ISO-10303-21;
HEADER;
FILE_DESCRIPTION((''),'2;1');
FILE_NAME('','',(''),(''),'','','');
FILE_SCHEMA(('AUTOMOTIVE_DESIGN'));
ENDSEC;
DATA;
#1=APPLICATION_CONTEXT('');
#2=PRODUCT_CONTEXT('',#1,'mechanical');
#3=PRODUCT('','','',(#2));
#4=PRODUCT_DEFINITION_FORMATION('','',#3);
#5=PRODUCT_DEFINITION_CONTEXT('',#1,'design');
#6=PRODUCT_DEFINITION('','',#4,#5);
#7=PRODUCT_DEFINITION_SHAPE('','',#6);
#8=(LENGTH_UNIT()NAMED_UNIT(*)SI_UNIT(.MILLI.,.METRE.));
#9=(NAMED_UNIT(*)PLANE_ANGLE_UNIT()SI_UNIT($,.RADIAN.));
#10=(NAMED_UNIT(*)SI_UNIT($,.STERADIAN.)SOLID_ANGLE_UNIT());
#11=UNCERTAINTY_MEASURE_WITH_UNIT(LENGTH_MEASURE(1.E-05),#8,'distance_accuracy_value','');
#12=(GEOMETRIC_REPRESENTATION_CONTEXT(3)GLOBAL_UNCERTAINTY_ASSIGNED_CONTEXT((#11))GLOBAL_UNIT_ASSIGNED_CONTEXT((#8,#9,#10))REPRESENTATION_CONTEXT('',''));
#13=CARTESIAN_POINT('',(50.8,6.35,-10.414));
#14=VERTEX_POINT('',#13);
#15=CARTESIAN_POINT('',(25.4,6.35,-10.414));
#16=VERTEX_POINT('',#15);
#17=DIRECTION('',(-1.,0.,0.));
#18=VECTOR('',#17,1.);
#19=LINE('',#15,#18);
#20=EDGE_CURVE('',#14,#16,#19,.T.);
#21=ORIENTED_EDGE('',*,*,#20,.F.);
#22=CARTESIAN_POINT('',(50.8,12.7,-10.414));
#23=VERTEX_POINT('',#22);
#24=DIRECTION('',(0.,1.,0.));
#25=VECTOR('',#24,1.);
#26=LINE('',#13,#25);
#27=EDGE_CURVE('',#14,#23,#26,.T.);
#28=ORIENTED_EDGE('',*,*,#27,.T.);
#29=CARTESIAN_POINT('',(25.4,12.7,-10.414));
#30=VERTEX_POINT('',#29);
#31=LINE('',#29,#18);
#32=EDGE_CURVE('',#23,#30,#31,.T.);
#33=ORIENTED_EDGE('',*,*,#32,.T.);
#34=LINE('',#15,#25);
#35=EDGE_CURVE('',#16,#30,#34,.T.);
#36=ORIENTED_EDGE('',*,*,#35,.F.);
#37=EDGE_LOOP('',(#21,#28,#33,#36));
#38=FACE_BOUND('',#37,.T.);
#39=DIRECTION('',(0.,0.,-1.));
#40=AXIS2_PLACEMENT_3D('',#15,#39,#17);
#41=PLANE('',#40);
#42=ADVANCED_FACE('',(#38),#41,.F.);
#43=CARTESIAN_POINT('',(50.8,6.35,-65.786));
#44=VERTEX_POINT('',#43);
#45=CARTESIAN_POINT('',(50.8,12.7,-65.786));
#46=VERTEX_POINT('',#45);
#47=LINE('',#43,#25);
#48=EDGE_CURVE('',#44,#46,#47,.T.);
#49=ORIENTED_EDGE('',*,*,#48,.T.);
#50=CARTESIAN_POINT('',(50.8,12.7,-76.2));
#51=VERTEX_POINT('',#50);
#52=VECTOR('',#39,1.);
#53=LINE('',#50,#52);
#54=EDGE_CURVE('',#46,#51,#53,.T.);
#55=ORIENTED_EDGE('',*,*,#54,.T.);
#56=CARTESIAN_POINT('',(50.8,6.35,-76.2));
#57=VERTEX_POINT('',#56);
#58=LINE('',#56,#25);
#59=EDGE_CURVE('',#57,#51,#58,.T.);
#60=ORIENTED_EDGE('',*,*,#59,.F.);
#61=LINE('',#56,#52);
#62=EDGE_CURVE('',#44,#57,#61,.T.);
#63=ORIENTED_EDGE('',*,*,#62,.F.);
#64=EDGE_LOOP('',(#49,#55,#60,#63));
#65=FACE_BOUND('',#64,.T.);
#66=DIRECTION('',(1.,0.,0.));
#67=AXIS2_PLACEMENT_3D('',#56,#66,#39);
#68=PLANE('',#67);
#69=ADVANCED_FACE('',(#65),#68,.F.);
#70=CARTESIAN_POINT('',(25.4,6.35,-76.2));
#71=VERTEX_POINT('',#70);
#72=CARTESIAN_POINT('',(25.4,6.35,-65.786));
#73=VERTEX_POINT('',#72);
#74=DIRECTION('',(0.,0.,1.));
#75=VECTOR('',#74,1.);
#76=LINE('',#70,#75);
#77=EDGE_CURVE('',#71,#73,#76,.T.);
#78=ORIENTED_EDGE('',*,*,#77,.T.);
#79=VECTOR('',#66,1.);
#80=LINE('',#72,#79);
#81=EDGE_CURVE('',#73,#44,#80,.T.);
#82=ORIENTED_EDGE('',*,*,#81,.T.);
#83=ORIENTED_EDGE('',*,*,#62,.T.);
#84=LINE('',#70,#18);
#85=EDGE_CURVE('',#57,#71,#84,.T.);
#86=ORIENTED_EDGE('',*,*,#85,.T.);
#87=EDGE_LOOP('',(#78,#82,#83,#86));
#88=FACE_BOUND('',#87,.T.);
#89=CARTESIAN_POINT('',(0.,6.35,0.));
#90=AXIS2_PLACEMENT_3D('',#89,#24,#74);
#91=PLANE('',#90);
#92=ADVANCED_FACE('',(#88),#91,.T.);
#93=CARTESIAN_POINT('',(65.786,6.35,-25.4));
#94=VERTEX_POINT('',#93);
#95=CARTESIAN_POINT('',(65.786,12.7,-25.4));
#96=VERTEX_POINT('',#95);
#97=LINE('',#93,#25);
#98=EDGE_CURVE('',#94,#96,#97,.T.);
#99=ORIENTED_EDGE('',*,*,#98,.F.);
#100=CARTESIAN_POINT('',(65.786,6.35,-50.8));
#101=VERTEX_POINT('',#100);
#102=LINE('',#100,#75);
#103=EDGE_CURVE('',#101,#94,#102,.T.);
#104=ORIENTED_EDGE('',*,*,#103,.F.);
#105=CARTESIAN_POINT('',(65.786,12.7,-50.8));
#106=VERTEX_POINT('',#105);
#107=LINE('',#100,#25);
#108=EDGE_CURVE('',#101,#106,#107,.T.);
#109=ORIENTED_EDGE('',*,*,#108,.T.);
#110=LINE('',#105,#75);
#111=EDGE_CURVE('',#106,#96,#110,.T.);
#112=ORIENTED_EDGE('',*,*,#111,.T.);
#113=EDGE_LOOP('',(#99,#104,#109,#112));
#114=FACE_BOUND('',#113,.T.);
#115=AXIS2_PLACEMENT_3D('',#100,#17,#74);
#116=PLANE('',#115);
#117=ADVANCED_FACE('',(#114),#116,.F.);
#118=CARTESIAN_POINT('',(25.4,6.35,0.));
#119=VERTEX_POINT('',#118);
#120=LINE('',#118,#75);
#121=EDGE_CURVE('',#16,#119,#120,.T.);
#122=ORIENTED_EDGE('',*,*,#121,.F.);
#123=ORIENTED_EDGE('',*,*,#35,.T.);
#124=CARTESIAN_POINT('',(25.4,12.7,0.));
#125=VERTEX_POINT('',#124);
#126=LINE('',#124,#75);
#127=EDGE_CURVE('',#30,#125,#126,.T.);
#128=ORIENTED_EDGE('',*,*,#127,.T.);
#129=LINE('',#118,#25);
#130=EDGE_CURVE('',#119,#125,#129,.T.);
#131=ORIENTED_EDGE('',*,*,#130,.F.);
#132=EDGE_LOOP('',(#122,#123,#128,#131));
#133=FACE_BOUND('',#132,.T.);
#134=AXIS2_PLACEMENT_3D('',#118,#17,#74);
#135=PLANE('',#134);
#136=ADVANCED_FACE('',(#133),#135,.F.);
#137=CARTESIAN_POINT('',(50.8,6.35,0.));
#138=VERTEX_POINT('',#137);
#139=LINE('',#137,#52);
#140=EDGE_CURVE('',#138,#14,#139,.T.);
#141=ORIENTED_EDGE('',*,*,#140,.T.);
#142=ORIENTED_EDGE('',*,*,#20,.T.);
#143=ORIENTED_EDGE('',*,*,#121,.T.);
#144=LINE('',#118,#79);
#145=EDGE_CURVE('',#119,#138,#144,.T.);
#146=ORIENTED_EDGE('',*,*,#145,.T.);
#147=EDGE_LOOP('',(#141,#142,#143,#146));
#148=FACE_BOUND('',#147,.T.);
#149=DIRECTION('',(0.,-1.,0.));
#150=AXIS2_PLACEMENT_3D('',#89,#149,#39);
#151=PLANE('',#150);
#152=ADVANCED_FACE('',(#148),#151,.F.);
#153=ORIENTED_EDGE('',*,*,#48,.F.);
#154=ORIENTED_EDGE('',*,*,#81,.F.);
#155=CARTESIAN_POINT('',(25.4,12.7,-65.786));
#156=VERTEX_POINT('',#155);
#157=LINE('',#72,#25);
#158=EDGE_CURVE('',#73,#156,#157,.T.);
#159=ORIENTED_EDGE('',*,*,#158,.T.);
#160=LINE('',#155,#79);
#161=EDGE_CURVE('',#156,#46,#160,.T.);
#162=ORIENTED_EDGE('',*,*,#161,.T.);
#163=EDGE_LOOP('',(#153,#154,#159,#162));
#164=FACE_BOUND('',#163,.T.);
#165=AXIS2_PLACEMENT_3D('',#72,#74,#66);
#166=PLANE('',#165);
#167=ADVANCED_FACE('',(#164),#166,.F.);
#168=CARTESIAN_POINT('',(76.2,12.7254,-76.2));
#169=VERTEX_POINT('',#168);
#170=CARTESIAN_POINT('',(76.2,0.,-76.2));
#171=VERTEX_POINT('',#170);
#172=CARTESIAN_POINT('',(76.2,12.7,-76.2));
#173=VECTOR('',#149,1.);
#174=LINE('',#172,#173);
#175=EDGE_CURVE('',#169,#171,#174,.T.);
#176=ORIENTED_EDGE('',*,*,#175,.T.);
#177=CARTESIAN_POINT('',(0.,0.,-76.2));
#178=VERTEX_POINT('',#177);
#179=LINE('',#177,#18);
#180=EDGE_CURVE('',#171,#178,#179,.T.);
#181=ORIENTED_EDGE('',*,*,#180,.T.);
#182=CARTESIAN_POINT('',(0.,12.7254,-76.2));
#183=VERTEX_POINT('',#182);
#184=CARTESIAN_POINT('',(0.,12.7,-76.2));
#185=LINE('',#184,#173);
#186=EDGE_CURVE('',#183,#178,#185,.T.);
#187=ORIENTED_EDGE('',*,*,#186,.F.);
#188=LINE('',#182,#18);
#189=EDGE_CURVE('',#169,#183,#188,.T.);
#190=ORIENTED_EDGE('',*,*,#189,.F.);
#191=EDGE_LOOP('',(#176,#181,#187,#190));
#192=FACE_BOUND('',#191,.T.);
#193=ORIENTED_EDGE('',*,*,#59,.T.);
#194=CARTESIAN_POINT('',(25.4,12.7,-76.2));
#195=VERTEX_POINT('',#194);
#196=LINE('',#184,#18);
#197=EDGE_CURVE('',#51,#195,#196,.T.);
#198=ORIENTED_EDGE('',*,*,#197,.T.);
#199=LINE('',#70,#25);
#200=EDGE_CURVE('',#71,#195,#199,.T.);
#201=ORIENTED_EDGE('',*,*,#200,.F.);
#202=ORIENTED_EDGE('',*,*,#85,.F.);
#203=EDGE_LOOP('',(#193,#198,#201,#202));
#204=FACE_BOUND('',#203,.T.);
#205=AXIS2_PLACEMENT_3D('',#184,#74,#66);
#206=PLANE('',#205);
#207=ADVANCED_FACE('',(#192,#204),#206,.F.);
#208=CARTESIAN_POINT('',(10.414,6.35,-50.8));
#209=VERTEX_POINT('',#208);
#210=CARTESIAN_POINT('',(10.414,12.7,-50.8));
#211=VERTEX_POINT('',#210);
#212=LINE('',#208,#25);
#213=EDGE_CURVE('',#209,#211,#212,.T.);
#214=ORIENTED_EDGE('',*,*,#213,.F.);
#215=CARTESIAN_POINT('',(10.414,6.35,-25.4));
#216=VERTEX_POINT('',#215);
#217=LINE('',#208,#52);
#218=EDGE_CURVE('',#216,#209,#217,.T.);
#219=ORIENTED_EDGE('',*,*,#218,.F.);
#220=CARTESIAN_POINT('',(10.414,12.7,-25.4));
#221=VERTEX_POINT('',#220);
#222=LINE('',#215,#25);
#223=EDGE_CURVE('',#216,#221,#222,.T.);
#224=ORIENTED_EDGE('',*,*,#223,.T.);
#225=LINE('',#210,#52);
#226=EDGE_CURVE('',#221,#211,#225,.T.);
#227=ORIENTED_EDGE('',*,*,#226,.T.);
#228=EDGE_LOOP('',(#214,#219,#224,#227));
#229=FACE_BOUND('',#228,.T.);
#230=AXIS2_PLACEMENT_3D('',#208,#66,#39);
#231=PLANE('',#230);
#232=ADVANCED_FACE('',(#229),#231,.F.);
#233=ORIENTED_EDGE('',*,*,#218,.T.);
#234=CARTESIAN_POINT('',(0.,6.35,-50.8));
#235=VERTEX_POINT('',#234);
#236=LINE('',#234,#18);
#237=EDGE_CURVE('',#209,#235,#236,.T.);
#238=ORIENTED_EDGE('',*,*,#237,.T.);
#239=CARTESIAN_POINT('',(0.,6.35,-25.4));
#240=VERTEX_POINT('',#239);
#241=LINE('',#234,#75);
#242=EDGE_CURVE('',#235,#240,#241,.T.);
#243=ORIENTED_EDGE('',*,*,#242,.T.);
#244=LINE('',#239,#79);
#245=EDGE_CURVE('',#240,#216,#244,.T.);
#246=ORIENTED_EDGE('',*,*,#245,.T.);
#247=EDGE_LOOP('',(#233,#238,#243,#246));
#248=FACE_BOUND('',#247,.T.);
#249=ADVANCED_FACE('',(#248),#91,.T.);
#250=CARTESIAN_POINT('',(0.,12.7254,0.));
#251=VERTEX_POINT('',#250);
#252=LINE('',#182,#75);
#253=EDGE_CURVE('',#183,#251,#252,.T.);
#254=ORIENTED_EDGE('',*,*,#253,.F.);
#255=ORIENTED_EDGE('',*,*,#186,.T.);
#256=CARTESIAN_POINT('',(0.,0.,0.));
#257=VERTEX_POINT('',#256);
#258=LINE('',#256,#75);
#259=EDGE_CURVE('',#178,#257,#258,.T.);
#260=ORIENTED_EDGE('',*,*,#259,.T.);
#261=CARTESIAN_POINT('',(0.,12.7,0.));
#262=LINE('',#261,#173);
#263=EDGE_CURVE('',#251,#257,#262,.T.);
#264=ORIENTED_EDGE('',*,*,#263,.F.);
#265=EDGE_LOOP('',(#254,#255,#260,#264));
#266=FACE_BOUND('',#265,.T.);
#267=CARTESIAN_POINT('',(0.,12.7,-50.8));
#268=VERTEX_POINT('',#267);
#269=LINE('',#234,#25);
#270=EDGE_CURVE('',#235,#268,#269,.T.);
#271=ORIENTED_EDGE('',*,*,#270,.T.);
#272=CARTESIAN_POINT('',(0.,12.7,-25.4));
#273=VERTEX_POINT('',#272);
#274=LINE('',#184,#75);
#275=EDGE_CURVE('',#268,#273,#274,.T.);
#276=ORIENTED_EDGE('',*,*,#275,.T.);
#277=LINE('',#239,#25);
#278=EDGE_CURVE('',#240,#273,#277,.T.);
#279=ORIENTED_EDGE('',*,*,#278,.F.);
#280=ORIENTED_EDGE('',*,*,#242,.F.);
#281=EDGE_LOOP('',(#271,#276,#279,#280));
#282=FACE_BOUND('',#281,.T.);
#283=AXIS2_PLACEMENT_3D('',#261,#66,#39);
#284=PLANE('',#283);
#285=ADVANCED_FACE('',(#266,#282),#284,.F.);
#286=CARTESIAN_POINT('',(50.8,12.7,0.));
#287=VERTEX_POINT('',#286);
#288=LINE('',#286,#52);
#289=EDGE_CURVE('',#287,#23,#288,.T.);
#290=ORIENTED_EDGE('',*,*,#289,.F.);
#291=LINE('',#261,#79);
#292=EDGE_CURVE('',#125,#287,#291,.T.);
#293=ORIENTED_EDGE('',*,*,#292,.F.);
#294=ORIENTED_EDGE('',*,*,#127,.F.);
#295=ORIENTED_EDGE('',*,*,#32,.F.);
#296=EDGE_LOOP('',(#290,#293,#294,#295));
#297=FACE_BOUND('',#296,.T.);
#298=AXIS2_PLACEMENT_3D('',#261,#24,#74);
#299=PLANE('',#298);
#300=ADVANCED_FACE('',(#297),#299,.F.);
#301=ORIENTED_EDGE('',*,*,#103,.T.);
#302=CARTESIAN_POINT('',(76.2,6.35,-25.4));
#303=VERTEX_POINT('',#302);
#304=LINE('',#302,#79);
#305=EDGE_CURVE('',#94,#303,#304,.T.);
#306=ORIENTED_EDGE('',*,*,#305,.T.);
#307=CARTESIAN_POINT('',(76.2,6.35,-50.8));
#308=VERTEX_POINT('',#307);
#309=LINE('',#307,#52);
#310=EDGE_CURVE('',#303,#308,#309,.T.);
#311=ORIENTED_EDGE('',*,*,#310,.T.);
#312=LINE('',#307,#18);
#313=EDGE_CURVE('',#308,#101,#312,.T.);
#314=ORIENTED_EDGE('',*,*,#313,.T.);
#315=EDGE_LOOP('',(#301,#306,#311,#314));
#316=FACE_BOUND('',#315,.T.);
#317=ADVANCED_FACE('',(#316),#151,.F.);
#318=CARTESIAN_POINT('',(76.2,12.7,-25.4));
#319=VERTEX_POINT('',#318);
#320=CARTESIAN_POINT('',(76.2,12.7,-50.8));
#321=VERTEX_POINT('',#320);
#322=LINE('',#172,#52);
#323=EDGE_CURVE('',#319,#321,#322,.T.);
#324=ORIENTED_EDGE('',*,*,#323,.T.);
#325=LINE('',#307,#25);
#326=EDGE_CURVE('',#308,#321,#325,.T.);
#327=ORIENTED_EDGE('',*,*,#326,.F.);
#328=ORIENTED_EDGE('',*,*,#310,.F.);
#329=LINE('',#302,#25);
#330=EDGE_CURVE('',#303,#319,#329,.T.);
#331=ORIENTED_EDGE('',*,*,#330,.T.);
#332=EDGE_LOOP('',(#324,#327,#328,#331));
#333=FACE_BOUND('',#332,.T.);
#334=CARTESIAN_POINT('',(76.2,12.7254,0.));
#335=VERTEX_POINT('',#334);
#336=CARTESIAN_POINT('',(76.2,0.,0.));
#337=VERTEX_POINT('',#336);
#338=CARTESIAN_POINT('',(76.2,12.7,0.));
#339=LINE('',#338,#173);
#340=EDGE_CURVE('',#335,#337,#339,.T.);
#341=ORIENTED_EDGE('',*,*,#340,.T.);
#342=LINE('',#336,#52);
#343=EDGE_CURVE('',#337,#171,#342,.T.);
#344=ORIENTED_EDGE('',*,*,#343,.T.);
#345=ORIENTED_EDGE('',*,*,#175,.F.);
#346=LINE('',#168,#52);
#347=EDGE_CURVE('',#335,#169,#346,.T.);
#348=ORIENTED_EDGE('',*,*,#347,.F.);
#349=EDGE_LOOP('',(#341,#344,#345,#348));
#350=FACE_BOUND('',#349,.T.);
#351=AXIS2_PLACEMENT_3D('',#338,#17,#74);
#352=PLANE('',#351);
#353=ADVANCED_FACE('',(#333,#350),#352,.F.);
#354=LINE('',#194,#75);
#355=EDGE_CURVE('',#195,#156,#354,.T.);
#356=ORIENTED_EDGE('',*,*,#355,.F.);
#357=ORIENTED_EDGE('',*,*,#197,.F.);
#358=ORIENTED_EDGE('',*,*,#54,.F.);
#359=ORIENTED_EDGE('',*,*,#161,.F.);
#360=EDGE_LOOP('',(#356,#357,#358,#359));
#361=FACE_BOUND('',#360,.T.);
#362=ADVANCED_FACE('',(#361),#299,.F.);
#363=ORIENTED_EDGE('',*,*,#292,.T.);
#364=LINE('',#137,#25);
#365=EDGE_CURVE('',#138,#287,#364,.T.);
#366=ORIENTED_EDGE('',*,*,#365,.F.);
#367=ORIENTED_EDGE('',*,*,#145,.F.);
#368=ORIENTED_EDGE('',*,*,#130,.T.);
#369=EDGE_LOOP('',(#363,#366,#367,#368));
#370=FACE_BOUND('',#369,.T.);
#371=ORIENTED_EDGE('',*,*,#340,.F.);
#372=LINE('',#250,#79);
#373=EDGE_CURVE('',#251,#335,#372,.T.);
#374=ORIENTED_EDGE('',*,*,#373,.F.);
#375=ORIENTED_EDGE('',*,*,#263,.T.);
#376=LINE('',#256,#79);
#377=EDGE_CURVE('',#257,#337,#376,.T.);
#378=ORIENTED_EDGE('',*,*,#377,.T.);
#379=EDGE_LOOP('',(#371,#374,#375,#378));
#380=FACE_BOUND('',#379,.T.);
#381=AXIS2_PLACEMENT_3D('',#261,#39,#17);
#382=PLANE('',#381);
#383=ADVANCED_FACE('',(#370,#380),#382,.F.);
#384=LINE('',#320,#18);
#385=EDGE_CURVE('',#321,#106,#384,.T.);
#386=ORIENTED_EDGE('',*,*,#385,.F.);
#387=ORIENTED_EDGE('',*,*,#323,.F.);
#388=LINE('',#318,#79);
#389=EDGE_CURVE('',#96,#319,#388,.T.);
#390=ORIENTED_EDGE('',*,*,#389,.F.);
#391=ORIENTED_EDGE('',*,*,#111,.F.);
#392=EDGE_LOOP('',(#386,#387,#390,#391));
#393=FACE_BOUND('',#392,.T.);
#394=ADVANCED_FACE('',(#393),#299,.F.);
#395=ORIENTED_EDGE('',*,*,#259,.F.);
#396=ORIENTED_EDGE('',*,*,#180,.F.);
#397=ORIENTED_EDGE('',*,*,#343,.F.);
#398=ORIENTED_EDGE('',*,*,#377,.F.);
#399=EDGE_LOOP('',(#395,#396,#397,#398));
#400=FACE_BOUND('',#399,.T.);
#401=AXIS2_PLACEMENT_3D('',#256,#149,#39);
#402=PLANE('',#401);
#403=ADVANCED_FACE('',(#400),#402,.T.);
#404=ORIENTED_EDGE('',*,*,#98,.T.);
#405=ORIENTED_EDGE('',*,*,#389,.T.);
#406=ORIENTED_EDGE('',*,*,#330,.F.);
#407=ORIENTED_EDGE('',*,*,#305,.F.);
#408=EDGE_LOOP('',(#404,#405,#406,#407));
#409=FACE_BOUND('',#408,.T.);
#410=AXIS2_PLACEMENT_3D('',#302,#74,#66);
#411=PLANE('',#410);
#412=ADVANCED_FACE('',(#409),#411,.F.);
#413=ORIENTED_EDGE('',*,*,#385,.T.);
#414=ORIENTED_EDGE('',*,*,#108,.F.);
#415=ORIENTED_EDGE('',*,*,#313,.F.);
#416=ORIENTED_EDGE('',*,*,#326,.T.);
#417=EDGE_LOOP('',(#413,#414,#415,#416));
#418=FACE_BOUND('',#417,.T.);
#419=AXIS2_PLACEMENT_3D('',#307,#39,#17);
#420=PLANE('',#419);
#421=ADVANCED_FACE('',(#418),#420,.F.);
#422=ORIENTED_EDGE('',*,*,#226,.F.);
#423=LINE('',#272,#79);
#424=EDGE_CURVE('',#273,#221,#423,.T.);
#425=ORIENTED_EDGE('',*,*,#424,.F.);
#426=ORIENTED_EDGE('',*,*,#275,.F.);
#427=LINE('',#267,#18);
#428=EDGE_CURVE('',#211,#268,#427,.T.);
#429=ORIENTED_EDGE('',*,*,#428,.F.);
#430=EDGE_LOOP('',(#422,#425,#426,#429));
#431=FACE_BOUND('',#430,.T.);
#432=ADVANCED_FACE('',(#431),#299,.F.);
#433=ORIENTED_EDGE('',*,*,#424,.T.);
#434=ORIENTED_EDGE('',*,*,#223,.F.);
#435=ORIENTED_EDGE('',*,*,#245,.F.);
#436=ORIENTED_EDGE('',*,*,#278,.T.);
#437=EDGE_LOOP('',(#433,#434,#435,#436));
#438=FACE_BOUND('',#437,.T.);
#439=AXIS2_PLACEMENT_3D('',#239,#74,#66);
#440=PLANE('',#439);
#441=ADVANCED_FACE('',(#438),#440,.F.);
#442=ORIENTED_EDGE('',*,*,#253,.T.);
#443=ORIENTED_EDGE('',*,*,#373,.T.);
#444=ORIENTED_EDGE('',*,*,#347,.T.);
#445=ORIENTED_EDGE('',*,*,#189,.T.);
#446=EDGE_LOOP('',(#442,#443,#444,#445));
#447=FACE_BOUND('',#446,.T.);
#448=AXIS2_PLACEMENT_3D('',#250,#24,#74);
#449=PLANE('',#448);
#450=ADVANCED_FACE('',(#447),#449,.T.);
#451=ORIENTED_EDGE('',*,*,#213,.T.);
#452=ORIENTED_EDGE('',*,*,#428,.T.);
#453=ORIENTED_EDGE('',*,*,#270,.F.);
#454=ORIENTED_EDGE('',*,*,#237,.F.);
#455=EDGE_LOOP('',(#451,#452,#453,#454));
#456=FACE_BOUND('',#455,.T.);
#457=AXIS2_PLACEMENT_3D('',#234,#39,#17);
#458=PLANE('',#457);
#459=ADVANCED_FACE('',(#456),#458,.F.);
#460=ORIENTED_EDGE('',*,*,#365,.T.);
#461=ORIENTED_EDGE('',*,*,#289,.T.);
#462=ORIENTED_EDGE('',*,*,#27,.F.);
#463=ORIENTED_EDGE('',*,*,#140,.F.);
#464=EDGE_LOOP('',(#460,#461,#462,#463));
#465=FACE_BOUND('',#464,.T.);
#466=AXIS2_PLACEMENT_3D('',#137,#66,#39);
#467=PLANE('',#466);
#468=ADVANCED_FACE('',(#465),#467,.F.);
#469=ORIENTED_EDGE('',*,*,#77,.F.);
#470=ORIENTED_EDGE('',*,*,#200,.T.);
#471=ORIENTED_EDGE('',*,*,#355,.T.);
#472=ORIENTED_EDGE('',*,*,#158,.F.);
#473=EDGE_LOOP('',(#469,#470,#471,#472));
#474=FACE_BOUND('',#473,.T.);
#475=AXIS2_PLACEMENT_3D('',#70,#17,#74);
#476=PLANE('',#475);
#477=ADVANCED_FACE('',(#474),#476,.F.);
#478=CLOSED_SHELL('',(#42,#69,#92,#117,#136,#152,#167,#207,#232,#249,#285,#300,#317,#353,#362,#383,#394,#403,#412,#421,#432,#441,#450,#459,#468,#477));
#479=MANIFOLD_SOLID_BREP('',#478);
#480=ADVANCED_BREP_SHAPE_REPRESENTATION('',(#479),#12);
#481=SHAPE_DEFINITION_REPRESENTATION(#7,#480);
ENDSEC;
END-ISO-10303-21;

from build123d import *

# Parameters (mm, degrees)
SKETCH1_W           = 76.2
SKETCH1_H           = 76.2
BOSS_EXTRUDE1_DEPTH = 12.7
SKETCH2_W           = 25.4
SKETCH2_H           = 10.414
SKETCH2_W_2         = 10.414
SKETCH2_H_2         = 25.4
CUT_EXTRUDE1_DEPTH  = 6.35
SKETCH3_W           = 76.2
SKETCH3_H           = 76.2
BOSS_EXTRUDE2_DEPTH = 0.0254


with BuildPart() as part:
    # Sketch1 → Boss-Extrude1 (new body)
    with BuildSketch(Plane(origin=(0, 0, 0), x_dir=(1, 0, 0), z_dir=(0, 1, 0))):
        with Locations((38.1, 38.1)):
            Rectangle(SKETCH1_W, SKETCH1_H)
    extrude(amount=BOSS_EXTRUDE1_DEPTH)

    # Sketch2 → Cut-Extrude1 (cut)
    with BuildSketch(Plane(origin=(0, 12.7, 0), x_dir=(1, 0, 0), z_dir=(0, 1, 0))):
        with Locations((38.1, 70.993)):
            Rectangle(SKETCH2_W, SKETCH2_H)
        with Locations((5.207, 38.1)):
            Rectangle(SKETCH2_W_2, SKETCH2_H_2)
        with Locations((38.1, 5.207)):
            Rectangle(SKETCH2_W, SKETCH2_H)
        with Locations((70.993, 38.1)):
            Rectangle(SKETCH2_W_2, SKETCH2_H_2)
    extrude(amount=-CUT_EXTRUDE1_DEPTH, mode=Mode.SUBTRACT)

    # Sketch3 → Boss-Extrude2 (add)
    with BuildSketch(Plane(origin=(0, 12.7, 0), x_dir=(1, 0, 0), z_dir=(0, 1, 0))):
        with Locations((38.1, 38.1)):
            Rectangle(SKETCH3_W, SKETCH3_H)
    extrude(amount=BOSS_EXTRUDE2_DEPTH)


solid = part.part
